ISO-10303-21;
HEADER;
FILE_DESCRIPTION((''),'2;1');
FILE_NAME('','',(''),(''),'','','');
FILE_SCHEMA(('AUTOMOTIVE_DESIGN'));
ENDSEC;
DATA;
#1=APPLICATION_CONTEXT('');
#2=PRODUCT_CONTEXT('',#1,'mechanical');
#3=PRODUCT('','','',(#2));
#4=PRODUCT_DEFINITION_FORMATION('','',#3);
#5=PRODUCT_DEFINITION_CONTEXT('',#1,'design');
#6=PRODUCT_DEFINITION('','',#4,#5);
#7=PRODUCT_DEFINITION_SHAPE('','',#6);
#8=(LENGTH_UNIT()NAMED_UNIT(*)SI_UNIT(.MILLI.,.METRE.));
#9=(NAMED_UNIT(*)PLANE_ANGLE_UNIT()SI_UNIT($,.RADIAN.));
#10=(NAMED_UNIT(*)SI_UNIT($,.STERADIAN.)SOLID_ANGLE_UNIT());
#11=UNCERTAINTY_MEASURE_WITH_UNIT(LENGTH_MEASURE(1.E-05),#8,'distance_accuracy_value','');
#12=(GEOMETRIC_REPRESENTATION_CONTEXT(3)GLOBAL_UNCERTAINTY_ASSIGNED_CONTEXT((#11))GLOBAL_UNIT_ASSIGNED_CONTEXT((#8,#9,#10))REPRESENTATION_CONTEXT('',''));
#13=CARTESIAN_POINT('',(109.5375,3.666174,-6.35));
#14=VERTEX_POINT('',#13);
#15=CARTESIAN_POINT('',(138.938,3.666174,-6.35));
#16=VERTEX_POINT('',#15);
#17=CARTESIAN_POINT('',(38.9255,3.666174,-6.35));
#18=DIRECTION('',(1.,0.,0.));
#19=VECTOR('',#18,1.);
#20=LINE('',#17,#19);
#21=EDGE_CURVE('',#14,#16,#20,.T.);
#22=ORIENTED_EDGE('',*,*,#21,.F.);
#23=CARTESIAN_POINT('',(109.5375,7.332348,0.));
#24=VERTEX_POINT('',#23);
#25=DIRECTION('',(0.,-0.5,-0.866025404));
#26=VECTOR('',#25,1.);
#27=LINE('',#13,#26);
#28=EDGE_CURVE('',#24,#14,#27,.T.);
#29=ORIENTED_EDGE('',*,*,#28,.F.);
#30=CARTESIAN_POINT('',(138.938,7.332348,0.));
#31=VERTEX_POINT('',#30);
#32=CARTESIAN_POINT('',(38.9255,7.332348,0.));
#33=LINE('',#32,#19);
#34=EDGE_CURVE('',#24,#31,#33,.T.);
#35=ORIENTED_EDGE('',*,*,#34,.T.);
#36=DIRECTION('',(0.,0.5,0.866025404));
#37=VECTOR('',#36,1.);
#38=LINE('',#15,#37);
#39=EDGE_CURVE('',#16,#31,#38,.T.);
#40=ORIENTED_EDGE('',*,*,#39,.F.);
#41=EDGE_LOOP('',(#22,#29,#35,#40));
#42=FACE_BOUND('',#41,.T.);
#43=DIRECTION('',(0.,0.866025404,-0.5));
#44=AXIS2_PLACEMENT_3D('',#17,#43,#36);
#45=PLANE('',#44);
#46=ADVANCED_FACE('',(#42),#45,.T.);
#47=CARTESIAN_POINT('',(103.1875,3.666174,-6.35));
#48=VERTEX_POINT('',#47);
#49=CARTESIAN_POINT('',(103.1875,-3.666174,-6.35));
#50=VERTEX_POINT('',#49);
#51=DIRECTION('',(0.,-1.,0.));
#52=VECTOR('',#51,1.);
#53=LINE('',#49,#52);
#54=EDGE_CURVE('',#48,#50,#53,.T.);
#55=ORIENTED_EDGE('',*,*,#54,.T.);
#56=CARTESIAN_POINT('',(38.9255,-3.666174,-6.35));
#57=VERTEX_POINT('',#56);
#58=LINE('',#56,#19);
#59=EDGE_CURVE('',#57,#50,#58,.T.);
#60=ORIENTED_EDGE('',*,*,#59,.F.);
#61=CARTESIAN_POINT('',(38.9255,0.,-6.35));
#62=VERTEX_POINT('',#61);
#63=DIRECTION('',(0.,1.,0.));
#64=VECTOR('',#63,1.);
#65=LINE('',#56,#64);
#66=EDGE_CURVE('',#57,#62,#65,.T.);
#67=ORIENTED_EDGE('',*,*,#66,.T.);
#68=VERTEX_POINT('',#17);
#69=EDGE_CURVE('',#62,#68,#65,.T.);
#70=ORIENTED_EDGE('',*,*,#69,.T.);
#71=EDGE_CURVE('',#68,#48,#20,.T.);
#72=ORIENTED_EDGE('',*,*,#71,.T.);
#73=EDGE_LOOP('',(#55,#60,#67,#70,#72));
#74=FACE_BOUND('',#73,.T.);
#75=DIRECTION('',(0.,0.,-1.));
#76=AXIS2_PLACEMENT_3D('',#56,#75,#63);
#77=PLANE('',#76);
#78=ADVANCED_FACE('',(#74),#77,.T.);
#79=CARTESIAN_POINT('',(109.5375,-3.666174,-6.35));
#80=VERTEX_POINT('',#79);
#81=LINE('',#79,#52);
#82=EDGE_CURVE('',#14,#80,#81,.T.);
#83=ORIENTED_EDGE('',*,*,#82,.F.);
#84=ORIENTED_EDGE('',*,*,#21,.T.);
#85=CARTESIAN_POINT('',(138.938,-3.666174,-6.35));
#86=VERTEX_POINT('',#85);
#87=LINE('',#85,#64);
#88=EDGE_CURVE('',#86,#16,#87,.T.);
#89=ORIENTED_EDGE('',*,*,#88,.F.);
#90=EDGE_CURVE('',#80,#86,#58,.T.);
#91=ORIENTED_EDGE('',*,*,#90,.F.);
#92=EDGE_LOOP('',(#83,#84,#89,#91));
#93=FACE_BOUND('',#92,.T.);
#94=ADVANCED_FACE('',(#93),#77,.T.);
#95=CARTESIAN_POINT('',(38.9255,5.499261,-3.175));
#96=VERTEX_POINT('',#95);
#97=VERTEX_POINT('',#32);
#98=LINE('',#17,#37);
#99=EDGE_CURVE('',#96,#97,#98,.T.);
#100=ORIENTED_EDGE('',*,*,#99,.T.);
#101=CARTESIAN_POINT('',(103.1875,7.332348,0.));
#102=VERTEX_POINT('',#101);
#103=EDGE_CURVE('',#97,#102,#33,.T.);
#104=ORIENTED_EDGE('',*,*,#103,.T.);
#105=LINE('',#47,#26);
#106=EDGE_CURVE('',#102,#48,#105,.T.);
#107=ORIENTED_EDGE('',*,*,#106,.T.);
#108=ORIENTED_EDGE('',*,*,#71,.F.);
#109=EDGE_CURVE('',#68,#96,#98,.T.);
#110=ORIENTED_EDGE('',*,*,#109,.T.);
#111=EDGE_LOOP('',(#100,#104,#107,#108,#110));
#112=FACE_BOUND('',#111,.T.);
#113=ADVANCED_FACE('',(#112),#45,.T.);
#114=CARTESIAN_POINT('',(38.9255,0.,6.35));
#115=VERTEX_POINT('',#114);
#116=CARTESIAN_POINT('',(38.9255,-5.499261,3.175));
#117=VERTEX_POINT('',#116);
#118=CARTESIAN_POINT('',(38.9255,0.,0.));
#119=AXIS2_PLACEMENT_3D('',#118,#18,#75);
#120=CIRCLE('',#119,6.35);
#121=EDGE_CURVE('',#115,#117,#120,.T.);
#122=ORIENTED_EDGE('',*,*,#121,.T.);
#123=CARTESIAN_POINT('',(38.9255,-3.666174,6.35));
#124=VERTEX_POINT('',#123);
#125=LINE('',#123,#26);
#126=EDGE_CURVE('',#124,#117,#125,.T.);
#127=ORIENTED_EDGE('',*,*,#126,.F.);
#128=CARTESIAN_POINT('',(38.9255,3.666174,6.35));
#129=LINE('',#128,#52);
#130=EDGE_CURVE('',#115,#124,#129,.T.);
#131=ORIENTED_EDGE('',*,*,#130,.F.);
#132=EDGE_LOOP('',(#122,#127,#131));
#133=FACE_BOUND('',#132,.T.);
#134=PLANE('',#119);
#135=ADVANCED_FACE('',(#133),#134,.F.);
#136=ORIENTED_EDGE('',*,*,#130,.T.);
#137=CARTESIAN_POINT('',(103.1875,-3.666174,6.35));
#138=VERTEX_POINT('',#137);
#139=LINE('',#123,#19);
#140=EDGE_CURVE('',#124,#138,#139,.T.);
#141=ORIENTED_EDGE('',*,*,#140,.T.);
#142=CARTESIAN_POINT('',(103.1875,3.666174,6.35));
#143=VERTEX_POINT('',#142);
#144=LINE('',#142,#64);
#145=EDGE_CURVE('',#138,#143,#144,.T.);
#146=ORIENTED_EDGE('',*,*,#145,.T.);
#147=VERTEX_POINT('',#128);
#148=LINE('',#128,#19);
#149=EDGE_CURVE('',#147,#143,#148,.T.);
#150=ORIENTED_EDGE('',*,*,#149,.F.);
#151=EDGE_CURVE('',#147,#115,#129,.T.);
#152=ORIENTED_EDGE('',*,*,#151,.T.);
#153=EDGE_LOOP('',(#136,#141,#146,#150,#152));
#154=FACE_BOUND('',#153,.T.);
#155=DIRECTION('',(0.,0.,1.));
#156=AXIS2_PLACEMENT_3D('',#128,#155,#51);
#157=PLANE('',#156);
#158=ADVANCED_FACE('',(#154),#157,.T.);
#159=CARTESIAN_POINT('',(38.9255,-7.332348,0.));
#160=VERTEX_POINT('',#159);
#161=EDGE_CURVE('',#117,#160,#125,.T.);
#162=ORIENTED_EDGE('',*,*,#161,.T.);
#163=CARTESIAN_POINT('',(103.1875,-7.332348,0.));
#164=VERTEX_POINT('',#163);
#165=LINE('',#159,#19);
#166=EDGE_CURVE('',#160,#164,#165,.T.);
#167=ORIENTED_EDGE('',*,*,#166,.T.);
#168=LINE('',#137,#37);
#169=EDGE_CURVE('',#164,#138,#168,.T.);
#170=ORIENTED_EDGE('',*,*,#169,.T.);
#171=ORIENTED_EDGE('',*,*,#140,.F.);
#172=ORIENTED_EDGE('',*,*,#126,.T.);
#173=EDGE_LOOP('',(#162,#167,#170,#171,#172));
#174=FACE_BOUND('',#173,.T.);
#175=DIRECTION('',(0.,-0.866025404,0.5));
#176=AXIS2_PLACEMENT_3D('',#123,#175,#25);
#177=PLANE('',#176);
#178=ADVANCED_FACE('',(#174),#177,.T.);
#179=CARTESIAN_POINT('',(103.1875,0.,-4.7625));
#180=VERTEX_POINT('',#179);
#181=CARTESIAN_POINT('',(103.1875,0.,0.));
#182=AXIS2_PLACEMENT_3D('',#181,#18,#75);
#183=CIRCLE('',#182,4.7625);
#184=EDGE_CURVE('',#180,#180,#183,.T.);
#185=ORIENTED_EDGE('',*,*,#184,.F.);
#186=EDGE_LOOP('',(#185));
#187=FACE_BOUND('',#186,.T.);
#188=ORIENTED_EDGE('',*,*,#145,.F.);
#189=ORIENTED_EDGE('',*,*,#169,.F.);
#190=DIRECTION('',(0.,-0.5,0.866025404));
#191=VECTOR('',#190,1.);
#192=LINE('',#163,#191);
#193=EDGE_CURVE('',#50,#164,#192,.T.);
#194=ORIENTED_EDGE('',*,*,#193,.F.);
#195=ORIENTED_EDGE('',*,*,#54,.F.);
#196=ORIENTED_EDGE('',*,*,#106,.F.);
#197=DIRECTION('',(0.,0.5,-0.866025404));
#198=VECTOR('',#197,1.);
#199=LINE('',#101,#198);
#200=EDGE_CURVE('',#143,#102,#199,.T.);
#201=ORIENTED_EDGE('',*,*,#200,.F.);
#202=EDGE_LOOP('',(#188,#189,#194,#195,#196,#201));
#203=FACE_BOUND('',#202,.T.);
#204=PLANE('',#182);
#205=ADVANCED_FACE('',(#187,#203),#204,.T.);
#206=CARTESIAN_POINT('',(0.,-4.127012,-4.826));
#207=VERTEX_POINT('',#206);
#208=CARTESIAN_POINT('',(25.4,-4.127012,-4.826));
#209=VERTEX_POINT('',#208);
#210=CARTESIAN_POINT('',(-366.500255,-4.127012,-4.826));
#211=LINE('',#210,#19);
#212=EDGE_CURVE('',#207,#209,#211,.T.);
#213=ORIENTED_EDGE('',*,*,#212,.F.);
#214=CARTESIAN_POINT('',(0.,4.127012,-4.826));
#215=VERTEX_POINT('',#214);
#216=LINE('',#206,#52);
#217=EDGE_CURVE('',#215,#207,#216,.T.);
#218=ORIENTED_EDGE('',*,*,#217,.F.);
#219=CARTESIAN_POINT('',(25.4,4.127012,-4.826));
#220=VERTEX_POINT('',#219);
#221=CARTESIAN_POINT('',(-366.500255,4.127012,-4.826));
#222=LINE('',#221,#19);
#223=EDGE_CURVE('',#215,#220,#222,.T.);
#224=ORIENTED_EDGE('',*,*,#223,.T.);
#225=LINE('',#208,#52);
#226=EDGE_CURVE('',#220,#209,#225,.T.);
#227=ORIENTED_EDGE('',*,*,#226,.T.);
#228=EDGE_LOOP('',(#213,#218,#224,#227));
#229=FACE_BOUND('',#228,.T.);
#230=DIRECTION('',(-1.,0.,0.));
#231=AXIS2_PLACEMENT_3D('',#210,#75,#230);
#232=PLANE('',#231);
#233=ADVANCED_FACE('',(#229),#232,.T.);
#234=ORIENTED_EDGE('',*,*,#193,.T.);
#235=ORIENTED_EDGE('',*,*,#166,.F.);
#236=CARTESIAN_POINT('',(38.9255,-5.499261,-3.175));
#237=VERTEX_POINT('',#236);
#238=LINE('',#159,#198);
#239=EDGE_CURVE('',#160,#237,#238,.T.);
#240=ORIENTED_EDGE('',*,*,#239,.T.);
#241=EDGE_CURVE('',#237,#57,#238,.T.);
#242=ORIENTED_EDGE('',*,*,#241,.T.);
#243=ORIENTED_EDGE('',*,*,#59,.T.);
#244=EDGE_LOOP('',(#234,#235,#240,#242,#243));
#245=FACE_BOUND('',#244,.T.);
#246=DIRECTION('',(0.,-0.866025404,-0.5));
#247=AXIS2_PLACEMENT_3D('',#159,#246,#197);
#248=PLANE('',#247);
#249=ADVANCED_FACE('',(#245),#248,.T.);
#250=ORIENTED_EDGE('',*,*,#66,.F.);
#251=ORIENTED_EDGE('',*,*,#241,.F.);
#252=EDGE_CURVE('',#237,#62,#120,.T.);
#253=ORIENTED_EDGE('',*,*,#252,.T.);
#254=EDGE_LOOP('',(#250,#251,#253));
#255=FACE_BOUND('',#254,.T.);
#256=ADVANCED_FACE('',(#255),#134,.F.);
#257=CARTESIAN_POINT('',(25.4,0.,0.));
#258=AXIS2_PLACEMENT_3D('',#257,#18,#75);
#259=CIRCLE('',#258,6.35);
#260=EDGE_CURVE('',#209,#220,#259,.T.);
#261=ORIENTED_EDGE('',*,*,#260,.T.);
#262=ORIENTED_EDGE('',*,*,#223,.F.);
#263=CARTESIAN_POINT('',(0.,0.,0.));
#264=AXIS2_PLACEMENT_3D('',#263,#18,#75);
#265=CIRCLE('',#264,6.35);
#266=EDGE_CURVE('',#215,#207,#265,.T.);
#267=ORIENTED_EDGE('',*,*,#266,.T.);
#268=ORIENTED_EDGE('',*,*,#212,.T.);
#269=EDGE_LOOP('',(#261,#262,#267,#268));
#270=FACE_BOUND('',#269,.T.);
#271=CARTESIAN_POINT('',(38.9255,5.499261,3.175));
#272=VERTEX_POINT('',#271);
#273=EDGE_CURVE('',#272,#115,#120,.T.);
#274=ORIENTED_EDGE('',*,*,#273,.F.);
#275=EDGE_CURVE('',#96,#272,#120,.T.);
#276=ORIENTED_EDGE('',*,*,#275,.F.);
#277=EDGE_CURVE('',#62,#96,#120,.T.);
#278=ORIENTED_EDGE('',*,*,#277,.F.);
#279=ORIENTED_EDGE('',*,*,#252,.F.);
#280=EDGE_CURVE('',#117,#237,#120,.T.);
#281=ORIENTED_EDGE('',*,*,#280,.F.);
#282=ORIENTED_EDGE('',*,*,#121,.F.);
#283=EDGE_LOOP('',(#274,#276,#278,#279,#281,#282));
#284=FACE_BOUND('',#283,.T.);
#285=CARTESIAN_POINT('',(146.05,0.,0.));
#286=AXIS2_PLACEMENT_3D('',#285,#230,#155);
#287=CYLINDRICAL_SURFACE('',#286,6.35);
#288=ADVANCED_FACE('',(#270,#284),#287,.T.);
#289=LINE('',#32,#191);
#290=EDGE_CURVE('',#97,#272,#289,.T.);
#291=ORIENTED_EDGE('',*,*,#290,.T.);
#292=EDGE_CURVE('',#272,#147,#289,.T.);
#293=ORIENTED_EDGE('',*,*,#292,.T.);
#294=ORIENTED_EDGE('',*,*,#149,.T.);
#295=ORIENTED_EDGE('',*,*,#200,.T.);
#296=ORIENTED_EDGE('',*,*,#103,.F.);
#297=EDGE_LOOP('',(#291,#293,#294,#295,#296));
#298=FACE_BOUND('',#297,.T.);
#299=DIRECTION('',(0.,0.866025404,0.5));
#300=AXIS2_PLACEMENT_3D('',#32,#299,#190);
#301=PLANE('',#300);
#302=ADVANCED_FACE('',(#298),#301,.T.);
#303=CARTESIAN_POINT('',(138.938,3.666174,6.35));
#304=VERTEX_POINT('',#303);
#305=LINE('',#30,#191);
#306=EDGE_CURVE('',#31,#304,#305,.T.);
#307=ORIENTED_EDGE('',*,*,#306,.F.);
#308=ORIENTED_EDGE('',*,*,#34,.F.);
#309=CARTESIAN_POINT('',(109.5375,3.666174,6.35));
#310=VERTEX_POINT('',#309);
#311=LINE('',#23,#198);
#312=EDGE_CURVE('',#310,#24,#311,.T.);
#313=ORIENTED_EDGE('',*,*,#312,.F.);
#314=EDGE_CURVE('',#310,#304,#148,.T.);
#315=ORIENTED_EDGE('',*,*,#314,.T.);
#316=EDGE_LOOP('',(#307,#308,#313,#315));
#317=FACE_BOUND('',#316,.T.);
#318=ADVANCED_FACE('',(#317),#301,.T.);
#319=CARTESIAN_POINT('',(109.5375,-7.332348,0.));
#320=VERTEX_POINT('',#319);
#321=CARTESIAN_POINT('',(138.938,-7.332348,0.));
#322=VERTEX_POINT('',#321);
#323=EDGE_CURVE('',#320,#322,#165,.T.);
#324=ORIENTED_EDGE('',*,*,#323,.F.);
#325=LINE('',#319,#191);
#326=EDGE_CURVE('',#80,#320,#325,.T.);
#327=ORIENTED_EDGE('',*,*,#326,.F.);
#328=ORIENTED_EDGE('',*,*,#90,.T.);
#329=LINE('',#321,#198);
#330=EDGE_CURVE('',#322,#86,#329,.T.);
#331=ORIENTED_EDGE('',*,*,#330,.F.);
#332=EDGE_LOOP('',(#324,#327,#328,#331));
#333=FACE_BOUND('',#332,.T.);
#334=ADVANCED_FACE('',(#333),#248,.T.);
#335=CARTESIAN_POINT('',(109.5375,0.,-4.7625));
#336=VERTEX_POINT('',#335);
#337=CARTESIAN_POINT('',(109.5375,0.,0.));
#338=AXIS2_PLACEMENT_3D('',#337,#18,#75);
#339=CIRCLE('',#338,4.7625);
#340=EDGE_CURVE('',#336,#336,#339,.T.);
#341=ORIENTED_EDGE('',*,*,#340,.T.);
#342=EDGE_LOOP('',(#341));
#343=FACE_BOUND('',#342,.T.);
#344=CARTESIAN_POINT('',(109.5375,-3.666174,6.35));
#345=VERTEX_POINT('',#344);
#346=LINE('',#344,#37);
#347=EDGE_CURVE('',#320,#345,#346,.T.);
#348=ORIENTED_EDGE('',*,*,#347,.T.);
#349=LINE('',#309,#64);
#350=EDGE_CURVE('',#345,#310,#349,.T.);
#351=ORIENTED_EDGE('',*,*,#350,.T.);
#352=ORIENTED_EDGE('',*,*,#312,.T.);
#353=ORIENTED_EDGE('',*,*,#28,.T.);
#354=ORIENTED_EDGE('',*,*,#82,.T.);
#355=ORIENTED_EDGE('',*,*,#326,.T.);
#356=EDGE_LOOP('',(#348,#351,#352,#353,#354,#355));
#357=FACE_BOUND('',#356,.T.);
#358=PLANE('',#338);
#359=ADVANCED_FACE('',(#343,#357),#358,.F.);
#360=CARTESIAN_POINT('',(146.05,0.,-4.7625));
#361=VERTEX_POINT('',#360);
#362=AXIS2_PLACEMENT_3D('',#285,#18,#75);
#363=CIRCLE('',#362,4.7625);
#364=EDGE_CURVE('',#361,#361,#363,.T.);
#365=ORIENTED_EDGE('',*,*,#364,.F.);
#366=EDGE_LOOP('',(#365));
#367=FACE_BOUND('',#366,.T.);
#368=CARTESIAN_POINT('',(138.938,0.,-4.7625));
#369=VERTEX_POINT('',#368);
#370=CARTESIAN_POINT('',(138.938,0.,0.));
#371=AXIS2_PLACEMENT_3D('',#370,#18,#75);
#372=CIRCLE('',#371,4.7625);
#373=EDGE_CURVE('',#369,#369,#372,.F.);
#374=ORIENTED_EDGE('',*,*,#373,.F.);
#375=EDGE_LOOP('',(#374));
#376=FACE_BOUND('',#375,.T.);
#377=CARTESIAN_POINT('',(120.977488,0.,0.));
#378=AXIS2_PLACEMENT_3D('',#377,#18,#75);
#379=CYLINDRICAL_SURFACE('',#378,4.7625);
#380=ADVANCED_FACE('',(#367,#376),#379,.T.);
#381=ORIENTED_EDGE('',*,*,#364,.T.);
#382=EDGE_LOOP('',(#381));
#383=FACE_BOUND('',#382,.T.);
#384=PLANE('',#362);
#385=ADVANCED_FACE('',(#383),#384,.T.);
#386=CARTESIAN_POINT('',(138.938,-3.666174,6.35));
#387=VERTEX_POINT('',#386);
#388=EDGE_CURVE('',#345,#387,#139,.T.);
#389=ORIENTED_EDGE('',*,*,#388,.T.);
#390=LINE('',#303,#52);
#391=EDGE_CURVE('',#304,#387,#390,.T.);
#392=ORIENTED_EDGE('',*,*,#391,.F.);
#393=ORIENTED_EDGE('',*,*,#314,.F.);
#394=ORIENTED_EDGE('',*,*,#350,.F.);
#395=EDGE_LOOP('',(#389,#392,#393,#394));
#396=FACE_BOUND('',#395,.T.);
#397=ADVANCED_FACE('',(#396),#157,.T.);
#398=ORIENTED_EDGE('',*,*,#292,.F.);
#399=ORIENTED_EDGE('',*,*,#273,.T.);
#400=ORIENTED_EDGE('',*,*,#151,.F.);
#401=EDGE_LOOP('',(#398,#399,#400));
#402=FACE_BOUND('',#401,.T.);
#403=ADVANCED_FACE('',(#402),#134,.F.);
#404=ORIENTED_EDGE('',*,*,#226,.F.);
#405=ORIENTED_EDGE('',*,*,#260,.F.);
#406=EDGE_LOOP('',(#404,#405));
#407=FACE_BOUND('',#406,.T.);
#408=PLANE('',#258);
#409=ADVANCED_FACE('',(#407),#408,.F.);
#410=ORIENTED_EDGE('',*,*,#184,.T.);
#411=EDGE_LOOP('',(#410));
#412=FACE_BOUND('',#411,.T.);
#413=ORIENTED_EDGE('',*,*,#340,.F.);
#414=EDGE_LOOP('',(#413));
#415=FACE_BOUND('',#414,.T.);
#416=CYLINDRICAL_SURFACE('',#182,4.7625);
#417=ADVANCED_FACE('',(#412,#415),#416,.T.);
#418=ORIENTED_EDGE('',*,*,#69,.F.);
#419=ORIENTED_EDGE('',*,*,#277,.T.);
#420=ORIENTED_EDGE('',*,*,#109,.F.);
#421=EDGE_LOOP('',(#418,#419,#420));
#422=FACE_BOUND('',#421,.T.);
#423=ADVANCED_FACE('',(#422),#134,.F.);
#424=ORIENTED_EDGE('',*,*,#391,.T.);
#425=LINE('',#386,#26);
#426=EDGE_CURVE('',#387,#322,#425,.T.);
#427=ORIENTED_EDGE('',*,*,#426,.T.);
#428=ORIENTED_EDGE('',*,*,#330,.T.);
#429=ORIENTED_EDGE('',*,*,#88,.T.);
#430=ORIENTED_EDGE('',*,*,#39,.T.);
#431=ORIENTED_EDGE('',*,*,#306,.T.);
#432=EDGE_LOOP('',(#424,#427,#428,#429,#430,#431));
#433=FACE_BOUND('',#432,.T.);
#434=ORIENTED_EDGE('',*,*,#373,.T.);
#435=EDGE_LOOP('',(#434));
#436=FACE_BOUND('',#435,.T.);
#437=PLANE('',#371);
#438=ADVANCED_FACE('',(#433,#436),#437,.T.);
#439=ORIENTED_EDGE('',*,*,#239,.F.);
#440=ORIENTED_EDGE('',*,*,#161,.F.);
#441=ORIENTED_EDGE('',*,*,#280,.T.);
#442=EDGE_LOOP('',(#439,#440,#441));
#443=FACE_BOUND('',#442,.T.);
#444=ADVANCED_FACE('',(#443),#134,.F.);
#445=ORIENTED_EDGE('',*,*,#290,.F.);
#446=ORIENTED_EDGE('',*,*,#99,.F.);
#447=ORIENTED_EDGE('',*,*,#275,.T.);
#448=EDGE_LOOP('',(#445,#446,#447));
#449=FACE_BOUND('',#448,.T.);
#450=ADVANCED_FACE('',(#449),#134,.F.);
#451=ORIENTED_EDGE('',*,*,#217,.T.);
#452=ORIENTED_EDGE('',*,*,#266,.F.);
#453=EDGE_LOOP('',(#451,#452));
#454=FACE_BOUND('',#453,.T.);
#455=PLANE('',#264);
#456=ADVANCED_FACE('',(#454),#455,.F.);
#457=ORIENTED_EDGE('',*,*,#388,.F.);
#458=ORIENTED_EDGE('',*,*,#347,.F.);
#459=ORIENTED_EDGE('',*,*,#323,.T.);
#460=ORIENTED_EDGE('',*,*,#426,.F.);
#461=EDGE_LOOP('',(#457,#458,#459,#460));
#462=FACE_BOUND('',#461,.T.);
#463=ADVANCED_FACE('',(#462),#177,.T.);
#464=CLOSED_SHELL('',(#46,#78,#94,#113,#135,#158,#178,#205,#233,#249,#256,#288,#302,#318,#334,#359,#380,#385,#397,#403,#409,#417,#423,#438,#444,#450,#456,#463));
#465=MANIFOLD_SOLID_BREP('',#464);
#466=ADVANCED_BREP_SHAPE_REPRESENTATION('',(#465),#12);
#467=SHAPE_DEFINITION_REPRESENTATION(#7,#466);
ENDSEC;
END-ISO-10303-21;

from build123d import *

# Parameters (mm, degrees)
SKETCH1_R               = 6.35
BOSS_EXTRUDE1_DEPTH     = 146.05
CUT_EXTRUDE1_DEPTH      = 1
CUT_EXTRUDE1_DEPTH_BACK = 25.4
BOSS_EXTRUDE2_START     = -7.112
BOSS_EXTRUDE2_DEPTH     = 100.0125
SKETCH5_R               = 6.35
SKETCH5_R_2             = 4.7625
CUT_EXTRUDE2_DEPTH      = 7.112
CUT_EXTRUDE3_START      = -36.5125
SKETCH6_R               = 19.82685814
SKETCH6_R_2             = 4.7625
CUT_EXTRUDE3_DEPTH      = 6.35


with BuildPart() as part:
    # Sketch1 → Boss-Extrude1 (new body)
    with BuildSketch(Plane(origin=(0, 0, 0), x_dir=(0, 0, -1), z_dir=(1, 0, 0))):
        Circle(SKETCH1_R)
    extrude(amount=BOSS_EXTRUDE1_DEPTH)

    # Sketch2 → Cut-Extrude1 (cut, two sides)
    with BuildSketch(Plane.ZY) as cut_extrude1_sk:
        Polygon((-4.826, -44.764945263), (-4.826, -4.12701151), (-4.826, 4.12701151), (-4.826, 44.764945263), (-86.101867507, 44.764945263), (-86.101867507, -44.764945263), align=None)
    extrude(amount=CUT_EXTRUDE1_DEPTH, mode=Mode.SUBTRACT)
    extrude(cut_extrude1_sk.sketch, amount=-CUT_EXTRUDE1_DEPTH_BACK, mode=Mode.SUBTRACT)

    # Sketch4 → Boss-Extrude2 (add)
    with BuildSketch(Plane(origin=(146.05, 0, 0), x_dir=(0, 0, -1), z_dir=(1, 0, 0)).offset(BOSS_EXTRUDE2_START)):
        Polygon((6.35, -3.666174209), (6.35, 3.666174209), (0, 7.332348419), (-6.35, 3.666174209), (-6.35, -3.666174209), (0, -7.332348419), align=None)
    extrude(amount=-BOSS_EXTRUDE2_DEPTH)

    # Sketch5 → Cut-Extrude2 (cut)
    with BuildSketch(Plane(origin=(146.05, 0, 0), x_dir=(0, 0, -1), z_dir=(1, 0, 0))):
        Circle(SKETCH5_R)
        Circle(SKETCH5_R_2, mode=Mode.SUBTRACT)
    extrude(amount=-CUT_EXTRUDE2_DEPTH, mode=Mode.SUBTRACT)

    # Sketch6 → Cut-Extrude3 (cut)
    with BuildSketch(Plane(origin=(146.05, 0, 0), x_dir=(0, 0, -1), z_dir=(1, 0, 0)).offset(CUT_EXTRUDE3_START)):
        Circle(SKETCH6_R)
        Circle(SKETCH6_R_2, mode=Mode.SUBTRACT)
    extrude(amount=-CUT_EXTRUDE3_DEPTH, mode=Mode.SUBTRACT)


solid = part.part
